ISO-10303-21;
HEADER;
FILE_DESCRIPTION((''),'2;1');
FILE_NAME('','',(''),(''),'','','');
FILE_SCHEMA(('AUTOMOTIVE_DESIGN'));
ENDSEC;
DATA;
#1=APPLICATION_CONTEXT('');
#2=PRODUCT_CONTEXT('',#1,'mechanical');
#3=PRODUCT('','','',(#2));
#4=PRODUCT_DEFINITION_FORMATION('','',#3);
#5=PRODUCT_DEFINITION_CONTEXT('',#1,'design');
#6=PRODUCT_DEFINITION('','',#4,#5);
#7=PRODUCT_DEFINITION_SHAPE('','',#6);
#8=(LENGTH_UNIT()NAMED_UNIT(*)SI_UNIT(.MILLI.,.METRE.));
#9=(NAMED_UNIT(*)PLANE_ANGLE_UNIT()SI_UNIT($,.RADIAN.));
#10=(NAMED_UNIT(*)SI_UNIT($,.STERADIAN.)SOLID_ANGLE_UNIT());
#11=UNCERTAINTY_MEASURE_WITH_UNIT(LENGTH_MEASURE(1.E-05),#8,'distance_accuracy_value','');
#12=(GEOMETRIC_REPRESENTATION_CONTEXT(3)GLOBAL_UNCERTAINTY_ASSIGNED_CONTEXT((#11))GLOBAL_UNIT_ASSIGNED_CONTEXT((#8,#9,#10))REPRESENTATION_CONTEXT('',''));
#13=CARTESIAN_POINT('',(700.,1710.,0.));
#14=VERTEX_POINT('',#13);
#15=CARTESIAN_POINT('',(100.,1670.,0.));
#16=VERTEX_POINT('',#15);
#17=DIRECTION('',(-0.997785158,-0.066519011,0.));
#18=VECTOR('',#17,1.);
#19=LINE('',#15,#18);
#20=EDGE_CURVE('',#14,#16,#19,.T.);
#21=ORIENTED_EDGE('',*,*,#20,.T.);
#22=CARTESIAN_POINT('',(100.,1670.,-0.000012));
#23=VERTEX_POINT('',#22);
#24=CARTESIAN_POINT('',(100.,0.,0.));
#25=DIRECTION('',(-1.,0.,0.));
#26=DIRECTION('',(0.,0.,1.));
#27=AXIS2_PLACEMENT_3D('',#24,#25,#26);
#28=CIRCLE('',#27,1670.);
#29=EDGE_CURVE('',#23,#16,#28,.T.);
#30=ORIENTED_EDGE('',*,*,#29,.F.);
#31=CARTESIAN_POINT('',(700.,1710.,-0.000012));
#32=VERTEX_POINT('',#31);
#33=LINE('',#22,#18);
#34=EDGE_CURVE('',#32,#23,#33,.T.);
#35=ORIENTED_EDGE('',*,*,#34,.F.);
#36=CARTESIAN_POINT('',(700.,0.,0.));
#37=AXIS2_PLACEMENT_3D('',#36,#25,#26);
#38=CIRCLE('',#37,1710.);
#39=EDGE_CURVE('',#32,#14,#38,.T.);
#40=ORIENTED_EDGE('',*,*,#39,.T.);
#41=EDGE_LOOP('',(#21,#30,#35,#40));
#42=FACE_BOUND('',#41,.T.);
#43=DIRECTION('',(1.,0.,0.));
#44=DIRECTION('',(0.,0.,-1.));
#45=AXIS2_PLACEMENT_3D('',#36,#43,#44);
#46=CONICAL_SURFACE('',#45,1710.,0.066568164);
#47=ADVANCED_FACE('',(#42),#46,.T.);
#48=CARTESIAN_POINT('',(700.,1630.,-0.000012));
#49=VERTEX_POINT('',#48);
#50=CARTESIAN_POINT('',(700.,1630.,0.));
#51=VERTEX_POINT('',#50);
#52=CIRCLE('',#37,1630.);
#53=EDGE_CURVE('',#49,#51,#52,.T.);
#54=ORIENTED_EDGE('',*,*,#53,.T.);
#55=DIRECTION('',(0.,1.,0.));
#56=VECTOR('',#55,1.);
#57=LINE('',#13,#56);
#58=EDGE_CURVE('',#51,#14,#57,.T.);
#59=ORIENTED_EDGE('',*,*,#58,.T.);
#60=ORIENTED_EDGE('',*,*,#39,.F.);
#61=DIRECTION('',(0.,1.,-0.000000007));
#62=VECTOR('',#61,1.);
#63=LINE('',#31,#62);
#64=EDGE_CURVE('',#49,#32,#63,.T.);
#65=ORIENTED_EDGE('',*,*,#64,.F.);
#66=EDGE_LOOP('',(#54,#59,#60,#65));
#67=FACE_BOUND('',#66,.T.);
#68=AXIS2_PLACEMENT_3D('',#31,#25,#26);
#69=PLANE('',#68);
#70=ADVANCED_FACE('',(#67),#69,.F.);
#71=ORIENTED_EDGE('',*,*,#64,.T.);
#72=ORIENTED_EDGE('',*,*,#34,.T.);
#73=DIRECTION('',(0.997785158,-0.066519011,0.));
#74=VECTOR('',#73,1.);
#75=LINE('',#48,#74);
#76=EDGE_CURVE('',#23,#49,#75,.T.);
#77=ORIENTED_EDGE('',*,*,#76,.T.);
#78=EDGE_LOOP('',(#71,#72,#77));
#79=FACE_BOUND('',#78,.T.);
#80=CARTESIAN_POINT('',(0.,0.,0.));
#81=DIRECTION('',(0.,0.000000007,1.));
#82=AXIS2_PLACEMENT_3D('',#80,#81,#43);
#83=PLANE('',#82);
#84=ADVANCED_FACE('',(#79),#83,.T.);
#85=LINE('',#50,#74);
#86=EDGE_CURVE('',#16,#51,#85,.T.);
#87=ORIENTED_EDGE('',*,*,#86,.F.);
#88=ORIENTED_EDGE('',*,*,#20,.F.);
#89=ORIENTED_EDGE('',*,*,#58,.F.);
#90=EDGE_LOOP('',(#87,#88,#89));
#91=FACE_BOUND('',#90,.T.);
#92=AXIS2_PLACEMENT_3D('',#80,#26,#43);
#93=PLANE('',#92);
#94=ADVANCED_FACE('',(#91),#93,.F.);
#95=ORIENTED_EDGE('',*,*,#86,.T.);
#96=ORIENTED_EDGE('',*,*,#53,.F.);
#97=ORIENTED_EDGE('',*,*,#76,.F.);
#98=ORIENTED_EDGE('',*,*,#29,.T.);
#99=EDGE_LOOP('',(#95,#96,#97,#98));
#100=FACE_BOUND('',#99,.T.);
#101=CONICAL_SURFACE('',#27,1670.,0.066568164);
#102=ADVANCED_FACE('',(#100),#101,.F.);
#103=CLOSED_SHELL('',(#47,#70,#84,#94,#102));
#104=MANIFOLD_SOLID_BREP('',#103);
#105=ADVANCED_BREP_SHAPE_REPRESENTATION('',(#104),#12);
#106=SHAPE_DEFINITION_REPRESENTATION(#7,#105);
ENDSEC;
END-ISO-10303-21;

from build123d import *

# Parameters (mm, degrees)
REVOLVE1_ANGLE = 359.999999589


with BuildPart() as part:
    # Sketch1 → Revolve1 (revolve)
    with BuildSketch(Plane.XY):
        Polygon((100, 1670), (700, 1710), (700, 1630), align=None)
    revolve(axis=Axis((0, 0, 0), (1, 0, 0)), revolution_arc=REVOLVE1_ANGLE)


solid = part.part
